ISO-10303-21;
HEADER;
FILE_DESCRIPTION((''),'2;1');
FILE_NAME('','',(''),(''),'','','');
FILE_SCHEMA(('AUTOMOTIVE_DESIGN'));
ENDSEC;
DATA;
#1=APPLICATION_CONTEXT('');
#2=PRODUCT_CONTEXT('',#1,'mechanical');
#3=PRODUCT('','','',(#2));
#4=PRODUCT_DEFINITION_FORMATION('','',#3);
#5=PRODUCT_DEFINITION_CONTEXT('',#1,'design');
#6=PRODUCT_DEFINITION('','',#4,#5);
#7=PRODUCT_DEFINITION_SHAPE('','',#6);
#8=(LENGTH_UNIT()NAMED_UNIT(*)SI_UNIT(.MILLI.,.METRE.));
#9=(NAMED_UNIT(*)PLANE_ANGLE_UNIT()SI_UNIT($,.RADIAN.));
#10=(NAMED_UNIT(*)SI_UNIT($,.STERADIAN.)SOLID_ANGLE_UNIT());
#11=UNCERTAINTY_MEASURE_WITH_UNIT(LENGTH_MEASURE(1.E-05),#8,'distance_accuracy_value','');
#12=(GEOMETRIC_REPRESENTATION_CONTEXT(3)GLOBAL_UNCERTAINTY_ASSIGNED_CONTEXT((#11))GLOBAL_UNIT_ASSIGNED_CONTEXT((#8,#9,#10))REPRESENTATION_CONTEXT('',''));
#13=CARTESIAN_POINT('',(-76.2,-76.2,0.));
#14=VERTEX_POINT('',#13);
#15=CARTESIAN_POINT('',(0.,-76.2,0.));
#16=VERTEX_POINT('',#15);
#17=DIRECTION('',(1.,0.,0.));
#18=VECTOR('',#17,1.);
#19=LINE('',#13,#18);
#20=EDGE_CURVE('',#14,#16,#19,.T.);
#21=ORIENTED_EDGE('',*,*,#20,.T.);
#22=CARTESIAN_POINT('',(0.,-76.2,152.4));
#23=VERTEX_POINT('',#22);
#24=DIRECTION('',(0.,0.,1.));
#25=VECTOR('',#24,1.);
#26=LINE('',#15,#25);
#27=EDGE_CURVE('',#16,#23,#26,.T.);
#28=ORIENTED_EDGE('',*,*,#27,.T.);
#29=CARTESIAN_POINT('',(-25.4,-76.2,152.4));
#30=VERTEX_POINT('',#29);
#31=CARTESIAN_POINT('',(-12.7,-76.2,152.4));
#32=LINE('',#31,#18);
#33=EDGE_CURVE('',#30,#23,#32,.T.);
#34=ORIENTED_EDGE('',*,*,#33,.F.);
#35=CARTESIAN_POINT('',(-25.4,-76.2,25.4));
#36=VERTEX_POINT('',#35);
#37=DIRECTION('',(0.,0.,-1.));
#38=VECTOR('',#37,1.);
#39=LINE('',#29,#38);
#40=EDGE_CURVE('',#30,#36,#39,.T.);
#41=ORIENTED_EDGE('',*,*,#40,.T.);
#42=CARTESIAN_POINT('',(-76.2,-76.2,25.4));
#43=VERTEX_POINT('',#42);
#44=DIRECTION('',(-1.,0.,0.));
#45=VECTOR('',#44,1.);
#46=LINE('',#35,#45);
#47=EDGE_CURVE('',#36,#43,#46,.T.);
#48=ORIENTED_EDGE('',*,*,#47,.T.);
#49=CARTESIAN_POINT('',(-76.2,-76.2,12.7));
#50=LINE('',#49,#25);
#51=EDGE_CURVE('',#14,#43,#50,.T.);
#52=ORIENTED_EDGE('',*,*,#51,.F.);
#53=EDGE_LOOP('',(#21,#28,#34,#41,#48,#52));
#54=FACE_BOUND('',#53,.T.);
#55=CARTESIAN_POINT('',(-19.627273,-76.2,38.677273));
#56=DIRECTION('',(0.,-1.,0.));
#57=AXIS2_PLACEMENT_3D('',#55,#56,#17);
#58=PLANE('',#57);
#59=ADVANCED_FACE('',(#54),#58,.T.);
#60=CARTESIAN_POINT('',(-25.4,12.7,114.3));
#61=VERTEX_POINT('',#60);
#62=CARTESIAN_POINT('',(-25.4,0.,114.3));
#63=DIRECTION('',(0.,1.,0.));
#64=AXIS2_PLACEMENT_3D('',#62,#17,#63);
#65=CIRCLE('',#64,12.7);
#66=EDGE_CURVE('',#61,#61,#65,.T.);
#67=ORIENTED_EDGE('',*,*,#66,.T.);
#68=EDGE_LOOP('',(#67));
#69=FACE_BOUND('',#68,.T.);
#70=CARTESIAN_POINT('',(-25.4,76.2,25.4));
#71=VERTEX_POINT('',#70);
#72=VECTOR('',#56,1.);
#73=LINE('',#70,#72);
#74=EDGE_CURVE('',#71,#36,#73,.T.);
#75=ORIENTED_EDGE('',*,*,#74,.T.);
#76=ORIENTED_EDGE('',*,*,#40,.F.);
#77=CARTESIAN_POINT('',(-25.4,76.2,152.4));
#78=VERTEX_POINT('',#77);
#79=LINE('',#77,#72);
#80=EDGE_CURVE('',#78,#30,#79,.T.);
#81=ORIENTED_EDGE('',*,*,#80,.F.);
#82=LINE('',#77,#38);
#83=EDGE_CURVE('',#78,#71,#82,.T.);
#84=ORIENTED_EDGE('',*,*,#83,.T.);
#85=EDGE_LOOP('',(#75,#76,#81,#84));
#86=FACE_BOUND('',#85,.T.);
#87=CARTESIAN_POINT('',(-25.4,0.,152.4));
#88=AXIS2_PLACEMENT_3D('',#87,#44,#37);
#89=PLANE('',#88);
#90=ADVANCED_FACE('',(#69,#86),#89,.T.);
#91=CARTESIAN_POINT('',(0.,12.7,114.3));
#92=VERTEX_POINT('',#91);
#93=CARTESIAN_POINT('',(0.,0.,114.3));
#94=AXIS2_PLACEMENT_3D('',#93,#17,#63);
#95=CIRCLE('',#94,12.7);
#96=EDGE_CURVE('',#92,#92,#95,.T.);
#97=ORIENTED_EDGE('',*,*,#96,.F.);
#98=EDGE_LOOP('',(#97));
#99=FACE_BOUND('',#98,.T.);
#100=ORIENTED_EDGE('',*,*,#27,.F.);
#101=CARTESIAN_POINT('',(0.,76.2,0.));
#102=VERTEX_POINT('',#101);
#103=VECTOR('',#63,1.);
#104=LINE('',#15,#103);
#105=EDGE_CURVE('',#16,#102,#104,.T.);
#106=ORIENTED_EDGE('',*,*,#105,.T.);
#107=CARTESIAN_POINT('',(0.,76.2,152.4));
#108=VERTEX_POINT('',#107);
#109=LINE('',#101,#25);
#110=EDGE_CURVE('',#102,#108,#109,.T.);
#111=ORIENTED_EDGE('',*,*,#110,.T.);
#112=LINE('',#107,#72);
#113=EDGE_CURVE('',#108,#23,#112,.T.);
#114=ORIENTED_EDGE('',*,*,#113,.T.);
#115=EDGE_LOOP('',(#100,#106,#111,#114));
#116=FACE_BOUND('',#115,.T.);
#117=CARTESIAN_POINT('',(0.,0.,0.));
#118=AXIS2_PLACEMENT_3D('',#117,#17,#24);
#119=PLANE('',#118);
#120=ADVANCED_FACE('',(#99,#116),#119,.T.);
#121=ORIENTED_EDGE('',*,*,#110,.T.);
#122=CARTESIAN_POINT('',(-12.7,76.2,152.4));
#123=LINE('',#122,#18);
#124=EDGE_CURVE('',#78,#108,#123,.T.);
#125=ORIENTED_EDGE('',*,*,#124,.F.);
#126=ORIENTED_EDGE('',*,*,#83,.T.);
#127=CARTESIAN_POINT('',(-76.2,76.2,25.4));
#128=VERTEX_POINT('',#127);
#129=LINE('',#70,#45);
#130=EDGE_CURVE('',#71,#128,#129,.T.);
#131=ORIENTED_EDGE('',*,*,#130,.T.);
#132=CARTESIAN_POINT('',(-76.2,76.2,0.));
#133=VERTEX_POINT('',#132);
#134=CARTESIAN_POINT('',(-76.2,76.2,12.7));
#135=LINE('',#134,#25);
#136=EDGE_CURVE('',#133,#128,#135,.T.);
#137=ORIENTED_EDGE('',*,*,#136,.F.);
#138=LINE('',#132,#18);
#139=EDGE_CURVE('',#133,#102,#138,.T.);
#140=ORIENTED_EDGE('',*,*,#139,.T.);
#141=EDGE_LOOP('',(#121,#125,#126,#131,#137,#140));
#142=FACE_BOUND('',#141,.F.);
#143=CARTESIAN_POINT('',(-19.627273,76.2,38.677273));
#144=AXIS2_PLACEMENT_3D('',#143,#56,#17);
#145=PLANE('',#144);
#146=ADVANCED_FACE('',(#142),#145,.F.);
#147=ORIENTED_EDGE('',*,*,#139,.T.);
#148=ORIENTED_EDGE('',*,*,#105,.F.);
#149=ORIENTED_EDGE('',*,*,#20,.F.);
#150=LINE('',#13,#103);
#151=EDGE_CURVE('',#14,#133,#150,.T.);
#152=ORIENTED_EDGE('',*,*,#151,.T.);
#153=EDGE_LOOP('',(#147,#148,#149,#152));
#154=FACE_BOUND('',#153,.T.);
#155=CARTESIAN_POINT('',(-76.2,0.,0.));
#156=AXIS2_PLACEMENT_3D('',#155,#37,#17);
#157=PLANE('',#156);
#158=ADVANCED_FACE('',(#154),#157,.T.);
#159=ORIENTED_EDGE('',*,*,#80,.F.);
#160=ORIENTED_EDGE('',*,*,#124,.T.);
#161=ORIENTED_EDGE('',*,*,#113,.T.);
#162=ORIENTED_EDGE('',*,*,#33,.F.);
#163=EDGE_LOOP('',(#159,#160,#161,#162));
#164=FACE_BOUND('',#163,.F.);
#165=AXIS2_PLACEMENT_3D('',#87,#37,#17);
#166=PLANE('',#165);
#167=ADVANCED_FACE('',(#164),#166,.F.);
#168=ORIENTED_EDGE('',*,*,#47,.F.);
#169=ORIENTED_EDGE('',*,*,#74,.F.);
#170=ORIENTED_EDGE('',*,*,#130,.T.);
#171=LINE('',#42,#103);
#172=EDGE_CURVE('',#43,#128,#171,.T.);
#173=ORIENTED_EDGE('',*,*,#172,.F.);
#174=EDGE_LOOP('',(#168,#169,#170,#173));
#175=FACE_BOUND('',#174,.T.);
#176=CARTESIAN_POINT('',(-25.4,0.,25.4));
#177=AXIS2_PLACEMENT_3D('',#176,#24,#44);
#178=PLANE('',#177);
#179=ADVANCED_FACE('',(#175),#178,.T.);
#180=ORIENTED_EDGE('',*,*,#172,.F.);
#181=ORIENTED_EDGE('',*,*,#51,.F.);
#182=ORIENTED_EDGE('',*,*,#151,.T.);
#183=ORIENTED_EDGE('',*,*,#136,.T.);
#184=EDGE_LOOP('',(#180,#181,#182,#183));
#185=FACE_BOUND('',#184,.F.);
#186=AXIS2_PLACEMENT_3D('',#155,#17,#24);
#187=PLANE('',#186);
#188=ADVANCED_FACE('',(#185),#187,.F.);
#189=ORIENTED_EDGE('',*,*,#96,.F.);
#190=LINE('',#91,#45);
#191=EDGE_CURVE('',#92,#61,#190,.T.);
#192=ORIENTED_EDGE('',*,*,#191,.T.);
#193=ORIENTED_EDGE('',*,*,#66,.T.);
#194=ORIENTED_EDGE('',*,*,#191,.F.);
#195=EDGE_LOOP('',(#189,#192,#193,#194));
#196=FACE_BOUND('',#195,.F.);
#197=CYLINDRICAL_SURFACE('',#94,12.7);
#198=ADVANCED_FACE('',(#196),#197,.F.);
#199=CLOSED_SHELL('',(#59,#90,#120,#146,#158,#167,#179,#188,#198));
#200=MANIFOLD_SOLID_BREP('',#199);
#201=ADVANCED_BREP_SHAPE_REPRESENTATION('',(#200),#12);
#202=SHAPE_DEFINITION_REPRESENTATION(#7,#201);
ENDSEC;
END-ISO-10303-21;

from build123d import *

# Parameters (mm, degrees)
F0_W     = 25.4
F0_H     = 25.4
F0_H_2   = 63.5
F1_DEPTH = 76.2
F2_R     = 12.7
F3_DEPTH = 76.201


with BuildPart() as f1:
    # F0 (on Front) → F1 (new body, symmetric)
    with BuildSketch(Plane.XZ):
        Polygon((-50.8, 0), (0, 0), (0, 88.9), (-25.4, 88.9), (-25.4, 25.4), (-50.8, 25.4), align=None)
        with Locations((-63.5, 12.7)):
            Rectangle(F0_W, F0_H)
        with Locations((-12.7, 120.65)):
            Rectangle(F0_W, F0_H_2)
    extrude(amount=F1_DEPTH, both=True)

    # F2 (on face) → F3 (cut, through all)
    with BuildSketch(Plane.YZ):
        with Locations((0, 114.3)):
            Circle(F2_R)
    extrude(amount=-F3_DEPTH, mode=Mode.SUBTRACT)


solid = f1.part
